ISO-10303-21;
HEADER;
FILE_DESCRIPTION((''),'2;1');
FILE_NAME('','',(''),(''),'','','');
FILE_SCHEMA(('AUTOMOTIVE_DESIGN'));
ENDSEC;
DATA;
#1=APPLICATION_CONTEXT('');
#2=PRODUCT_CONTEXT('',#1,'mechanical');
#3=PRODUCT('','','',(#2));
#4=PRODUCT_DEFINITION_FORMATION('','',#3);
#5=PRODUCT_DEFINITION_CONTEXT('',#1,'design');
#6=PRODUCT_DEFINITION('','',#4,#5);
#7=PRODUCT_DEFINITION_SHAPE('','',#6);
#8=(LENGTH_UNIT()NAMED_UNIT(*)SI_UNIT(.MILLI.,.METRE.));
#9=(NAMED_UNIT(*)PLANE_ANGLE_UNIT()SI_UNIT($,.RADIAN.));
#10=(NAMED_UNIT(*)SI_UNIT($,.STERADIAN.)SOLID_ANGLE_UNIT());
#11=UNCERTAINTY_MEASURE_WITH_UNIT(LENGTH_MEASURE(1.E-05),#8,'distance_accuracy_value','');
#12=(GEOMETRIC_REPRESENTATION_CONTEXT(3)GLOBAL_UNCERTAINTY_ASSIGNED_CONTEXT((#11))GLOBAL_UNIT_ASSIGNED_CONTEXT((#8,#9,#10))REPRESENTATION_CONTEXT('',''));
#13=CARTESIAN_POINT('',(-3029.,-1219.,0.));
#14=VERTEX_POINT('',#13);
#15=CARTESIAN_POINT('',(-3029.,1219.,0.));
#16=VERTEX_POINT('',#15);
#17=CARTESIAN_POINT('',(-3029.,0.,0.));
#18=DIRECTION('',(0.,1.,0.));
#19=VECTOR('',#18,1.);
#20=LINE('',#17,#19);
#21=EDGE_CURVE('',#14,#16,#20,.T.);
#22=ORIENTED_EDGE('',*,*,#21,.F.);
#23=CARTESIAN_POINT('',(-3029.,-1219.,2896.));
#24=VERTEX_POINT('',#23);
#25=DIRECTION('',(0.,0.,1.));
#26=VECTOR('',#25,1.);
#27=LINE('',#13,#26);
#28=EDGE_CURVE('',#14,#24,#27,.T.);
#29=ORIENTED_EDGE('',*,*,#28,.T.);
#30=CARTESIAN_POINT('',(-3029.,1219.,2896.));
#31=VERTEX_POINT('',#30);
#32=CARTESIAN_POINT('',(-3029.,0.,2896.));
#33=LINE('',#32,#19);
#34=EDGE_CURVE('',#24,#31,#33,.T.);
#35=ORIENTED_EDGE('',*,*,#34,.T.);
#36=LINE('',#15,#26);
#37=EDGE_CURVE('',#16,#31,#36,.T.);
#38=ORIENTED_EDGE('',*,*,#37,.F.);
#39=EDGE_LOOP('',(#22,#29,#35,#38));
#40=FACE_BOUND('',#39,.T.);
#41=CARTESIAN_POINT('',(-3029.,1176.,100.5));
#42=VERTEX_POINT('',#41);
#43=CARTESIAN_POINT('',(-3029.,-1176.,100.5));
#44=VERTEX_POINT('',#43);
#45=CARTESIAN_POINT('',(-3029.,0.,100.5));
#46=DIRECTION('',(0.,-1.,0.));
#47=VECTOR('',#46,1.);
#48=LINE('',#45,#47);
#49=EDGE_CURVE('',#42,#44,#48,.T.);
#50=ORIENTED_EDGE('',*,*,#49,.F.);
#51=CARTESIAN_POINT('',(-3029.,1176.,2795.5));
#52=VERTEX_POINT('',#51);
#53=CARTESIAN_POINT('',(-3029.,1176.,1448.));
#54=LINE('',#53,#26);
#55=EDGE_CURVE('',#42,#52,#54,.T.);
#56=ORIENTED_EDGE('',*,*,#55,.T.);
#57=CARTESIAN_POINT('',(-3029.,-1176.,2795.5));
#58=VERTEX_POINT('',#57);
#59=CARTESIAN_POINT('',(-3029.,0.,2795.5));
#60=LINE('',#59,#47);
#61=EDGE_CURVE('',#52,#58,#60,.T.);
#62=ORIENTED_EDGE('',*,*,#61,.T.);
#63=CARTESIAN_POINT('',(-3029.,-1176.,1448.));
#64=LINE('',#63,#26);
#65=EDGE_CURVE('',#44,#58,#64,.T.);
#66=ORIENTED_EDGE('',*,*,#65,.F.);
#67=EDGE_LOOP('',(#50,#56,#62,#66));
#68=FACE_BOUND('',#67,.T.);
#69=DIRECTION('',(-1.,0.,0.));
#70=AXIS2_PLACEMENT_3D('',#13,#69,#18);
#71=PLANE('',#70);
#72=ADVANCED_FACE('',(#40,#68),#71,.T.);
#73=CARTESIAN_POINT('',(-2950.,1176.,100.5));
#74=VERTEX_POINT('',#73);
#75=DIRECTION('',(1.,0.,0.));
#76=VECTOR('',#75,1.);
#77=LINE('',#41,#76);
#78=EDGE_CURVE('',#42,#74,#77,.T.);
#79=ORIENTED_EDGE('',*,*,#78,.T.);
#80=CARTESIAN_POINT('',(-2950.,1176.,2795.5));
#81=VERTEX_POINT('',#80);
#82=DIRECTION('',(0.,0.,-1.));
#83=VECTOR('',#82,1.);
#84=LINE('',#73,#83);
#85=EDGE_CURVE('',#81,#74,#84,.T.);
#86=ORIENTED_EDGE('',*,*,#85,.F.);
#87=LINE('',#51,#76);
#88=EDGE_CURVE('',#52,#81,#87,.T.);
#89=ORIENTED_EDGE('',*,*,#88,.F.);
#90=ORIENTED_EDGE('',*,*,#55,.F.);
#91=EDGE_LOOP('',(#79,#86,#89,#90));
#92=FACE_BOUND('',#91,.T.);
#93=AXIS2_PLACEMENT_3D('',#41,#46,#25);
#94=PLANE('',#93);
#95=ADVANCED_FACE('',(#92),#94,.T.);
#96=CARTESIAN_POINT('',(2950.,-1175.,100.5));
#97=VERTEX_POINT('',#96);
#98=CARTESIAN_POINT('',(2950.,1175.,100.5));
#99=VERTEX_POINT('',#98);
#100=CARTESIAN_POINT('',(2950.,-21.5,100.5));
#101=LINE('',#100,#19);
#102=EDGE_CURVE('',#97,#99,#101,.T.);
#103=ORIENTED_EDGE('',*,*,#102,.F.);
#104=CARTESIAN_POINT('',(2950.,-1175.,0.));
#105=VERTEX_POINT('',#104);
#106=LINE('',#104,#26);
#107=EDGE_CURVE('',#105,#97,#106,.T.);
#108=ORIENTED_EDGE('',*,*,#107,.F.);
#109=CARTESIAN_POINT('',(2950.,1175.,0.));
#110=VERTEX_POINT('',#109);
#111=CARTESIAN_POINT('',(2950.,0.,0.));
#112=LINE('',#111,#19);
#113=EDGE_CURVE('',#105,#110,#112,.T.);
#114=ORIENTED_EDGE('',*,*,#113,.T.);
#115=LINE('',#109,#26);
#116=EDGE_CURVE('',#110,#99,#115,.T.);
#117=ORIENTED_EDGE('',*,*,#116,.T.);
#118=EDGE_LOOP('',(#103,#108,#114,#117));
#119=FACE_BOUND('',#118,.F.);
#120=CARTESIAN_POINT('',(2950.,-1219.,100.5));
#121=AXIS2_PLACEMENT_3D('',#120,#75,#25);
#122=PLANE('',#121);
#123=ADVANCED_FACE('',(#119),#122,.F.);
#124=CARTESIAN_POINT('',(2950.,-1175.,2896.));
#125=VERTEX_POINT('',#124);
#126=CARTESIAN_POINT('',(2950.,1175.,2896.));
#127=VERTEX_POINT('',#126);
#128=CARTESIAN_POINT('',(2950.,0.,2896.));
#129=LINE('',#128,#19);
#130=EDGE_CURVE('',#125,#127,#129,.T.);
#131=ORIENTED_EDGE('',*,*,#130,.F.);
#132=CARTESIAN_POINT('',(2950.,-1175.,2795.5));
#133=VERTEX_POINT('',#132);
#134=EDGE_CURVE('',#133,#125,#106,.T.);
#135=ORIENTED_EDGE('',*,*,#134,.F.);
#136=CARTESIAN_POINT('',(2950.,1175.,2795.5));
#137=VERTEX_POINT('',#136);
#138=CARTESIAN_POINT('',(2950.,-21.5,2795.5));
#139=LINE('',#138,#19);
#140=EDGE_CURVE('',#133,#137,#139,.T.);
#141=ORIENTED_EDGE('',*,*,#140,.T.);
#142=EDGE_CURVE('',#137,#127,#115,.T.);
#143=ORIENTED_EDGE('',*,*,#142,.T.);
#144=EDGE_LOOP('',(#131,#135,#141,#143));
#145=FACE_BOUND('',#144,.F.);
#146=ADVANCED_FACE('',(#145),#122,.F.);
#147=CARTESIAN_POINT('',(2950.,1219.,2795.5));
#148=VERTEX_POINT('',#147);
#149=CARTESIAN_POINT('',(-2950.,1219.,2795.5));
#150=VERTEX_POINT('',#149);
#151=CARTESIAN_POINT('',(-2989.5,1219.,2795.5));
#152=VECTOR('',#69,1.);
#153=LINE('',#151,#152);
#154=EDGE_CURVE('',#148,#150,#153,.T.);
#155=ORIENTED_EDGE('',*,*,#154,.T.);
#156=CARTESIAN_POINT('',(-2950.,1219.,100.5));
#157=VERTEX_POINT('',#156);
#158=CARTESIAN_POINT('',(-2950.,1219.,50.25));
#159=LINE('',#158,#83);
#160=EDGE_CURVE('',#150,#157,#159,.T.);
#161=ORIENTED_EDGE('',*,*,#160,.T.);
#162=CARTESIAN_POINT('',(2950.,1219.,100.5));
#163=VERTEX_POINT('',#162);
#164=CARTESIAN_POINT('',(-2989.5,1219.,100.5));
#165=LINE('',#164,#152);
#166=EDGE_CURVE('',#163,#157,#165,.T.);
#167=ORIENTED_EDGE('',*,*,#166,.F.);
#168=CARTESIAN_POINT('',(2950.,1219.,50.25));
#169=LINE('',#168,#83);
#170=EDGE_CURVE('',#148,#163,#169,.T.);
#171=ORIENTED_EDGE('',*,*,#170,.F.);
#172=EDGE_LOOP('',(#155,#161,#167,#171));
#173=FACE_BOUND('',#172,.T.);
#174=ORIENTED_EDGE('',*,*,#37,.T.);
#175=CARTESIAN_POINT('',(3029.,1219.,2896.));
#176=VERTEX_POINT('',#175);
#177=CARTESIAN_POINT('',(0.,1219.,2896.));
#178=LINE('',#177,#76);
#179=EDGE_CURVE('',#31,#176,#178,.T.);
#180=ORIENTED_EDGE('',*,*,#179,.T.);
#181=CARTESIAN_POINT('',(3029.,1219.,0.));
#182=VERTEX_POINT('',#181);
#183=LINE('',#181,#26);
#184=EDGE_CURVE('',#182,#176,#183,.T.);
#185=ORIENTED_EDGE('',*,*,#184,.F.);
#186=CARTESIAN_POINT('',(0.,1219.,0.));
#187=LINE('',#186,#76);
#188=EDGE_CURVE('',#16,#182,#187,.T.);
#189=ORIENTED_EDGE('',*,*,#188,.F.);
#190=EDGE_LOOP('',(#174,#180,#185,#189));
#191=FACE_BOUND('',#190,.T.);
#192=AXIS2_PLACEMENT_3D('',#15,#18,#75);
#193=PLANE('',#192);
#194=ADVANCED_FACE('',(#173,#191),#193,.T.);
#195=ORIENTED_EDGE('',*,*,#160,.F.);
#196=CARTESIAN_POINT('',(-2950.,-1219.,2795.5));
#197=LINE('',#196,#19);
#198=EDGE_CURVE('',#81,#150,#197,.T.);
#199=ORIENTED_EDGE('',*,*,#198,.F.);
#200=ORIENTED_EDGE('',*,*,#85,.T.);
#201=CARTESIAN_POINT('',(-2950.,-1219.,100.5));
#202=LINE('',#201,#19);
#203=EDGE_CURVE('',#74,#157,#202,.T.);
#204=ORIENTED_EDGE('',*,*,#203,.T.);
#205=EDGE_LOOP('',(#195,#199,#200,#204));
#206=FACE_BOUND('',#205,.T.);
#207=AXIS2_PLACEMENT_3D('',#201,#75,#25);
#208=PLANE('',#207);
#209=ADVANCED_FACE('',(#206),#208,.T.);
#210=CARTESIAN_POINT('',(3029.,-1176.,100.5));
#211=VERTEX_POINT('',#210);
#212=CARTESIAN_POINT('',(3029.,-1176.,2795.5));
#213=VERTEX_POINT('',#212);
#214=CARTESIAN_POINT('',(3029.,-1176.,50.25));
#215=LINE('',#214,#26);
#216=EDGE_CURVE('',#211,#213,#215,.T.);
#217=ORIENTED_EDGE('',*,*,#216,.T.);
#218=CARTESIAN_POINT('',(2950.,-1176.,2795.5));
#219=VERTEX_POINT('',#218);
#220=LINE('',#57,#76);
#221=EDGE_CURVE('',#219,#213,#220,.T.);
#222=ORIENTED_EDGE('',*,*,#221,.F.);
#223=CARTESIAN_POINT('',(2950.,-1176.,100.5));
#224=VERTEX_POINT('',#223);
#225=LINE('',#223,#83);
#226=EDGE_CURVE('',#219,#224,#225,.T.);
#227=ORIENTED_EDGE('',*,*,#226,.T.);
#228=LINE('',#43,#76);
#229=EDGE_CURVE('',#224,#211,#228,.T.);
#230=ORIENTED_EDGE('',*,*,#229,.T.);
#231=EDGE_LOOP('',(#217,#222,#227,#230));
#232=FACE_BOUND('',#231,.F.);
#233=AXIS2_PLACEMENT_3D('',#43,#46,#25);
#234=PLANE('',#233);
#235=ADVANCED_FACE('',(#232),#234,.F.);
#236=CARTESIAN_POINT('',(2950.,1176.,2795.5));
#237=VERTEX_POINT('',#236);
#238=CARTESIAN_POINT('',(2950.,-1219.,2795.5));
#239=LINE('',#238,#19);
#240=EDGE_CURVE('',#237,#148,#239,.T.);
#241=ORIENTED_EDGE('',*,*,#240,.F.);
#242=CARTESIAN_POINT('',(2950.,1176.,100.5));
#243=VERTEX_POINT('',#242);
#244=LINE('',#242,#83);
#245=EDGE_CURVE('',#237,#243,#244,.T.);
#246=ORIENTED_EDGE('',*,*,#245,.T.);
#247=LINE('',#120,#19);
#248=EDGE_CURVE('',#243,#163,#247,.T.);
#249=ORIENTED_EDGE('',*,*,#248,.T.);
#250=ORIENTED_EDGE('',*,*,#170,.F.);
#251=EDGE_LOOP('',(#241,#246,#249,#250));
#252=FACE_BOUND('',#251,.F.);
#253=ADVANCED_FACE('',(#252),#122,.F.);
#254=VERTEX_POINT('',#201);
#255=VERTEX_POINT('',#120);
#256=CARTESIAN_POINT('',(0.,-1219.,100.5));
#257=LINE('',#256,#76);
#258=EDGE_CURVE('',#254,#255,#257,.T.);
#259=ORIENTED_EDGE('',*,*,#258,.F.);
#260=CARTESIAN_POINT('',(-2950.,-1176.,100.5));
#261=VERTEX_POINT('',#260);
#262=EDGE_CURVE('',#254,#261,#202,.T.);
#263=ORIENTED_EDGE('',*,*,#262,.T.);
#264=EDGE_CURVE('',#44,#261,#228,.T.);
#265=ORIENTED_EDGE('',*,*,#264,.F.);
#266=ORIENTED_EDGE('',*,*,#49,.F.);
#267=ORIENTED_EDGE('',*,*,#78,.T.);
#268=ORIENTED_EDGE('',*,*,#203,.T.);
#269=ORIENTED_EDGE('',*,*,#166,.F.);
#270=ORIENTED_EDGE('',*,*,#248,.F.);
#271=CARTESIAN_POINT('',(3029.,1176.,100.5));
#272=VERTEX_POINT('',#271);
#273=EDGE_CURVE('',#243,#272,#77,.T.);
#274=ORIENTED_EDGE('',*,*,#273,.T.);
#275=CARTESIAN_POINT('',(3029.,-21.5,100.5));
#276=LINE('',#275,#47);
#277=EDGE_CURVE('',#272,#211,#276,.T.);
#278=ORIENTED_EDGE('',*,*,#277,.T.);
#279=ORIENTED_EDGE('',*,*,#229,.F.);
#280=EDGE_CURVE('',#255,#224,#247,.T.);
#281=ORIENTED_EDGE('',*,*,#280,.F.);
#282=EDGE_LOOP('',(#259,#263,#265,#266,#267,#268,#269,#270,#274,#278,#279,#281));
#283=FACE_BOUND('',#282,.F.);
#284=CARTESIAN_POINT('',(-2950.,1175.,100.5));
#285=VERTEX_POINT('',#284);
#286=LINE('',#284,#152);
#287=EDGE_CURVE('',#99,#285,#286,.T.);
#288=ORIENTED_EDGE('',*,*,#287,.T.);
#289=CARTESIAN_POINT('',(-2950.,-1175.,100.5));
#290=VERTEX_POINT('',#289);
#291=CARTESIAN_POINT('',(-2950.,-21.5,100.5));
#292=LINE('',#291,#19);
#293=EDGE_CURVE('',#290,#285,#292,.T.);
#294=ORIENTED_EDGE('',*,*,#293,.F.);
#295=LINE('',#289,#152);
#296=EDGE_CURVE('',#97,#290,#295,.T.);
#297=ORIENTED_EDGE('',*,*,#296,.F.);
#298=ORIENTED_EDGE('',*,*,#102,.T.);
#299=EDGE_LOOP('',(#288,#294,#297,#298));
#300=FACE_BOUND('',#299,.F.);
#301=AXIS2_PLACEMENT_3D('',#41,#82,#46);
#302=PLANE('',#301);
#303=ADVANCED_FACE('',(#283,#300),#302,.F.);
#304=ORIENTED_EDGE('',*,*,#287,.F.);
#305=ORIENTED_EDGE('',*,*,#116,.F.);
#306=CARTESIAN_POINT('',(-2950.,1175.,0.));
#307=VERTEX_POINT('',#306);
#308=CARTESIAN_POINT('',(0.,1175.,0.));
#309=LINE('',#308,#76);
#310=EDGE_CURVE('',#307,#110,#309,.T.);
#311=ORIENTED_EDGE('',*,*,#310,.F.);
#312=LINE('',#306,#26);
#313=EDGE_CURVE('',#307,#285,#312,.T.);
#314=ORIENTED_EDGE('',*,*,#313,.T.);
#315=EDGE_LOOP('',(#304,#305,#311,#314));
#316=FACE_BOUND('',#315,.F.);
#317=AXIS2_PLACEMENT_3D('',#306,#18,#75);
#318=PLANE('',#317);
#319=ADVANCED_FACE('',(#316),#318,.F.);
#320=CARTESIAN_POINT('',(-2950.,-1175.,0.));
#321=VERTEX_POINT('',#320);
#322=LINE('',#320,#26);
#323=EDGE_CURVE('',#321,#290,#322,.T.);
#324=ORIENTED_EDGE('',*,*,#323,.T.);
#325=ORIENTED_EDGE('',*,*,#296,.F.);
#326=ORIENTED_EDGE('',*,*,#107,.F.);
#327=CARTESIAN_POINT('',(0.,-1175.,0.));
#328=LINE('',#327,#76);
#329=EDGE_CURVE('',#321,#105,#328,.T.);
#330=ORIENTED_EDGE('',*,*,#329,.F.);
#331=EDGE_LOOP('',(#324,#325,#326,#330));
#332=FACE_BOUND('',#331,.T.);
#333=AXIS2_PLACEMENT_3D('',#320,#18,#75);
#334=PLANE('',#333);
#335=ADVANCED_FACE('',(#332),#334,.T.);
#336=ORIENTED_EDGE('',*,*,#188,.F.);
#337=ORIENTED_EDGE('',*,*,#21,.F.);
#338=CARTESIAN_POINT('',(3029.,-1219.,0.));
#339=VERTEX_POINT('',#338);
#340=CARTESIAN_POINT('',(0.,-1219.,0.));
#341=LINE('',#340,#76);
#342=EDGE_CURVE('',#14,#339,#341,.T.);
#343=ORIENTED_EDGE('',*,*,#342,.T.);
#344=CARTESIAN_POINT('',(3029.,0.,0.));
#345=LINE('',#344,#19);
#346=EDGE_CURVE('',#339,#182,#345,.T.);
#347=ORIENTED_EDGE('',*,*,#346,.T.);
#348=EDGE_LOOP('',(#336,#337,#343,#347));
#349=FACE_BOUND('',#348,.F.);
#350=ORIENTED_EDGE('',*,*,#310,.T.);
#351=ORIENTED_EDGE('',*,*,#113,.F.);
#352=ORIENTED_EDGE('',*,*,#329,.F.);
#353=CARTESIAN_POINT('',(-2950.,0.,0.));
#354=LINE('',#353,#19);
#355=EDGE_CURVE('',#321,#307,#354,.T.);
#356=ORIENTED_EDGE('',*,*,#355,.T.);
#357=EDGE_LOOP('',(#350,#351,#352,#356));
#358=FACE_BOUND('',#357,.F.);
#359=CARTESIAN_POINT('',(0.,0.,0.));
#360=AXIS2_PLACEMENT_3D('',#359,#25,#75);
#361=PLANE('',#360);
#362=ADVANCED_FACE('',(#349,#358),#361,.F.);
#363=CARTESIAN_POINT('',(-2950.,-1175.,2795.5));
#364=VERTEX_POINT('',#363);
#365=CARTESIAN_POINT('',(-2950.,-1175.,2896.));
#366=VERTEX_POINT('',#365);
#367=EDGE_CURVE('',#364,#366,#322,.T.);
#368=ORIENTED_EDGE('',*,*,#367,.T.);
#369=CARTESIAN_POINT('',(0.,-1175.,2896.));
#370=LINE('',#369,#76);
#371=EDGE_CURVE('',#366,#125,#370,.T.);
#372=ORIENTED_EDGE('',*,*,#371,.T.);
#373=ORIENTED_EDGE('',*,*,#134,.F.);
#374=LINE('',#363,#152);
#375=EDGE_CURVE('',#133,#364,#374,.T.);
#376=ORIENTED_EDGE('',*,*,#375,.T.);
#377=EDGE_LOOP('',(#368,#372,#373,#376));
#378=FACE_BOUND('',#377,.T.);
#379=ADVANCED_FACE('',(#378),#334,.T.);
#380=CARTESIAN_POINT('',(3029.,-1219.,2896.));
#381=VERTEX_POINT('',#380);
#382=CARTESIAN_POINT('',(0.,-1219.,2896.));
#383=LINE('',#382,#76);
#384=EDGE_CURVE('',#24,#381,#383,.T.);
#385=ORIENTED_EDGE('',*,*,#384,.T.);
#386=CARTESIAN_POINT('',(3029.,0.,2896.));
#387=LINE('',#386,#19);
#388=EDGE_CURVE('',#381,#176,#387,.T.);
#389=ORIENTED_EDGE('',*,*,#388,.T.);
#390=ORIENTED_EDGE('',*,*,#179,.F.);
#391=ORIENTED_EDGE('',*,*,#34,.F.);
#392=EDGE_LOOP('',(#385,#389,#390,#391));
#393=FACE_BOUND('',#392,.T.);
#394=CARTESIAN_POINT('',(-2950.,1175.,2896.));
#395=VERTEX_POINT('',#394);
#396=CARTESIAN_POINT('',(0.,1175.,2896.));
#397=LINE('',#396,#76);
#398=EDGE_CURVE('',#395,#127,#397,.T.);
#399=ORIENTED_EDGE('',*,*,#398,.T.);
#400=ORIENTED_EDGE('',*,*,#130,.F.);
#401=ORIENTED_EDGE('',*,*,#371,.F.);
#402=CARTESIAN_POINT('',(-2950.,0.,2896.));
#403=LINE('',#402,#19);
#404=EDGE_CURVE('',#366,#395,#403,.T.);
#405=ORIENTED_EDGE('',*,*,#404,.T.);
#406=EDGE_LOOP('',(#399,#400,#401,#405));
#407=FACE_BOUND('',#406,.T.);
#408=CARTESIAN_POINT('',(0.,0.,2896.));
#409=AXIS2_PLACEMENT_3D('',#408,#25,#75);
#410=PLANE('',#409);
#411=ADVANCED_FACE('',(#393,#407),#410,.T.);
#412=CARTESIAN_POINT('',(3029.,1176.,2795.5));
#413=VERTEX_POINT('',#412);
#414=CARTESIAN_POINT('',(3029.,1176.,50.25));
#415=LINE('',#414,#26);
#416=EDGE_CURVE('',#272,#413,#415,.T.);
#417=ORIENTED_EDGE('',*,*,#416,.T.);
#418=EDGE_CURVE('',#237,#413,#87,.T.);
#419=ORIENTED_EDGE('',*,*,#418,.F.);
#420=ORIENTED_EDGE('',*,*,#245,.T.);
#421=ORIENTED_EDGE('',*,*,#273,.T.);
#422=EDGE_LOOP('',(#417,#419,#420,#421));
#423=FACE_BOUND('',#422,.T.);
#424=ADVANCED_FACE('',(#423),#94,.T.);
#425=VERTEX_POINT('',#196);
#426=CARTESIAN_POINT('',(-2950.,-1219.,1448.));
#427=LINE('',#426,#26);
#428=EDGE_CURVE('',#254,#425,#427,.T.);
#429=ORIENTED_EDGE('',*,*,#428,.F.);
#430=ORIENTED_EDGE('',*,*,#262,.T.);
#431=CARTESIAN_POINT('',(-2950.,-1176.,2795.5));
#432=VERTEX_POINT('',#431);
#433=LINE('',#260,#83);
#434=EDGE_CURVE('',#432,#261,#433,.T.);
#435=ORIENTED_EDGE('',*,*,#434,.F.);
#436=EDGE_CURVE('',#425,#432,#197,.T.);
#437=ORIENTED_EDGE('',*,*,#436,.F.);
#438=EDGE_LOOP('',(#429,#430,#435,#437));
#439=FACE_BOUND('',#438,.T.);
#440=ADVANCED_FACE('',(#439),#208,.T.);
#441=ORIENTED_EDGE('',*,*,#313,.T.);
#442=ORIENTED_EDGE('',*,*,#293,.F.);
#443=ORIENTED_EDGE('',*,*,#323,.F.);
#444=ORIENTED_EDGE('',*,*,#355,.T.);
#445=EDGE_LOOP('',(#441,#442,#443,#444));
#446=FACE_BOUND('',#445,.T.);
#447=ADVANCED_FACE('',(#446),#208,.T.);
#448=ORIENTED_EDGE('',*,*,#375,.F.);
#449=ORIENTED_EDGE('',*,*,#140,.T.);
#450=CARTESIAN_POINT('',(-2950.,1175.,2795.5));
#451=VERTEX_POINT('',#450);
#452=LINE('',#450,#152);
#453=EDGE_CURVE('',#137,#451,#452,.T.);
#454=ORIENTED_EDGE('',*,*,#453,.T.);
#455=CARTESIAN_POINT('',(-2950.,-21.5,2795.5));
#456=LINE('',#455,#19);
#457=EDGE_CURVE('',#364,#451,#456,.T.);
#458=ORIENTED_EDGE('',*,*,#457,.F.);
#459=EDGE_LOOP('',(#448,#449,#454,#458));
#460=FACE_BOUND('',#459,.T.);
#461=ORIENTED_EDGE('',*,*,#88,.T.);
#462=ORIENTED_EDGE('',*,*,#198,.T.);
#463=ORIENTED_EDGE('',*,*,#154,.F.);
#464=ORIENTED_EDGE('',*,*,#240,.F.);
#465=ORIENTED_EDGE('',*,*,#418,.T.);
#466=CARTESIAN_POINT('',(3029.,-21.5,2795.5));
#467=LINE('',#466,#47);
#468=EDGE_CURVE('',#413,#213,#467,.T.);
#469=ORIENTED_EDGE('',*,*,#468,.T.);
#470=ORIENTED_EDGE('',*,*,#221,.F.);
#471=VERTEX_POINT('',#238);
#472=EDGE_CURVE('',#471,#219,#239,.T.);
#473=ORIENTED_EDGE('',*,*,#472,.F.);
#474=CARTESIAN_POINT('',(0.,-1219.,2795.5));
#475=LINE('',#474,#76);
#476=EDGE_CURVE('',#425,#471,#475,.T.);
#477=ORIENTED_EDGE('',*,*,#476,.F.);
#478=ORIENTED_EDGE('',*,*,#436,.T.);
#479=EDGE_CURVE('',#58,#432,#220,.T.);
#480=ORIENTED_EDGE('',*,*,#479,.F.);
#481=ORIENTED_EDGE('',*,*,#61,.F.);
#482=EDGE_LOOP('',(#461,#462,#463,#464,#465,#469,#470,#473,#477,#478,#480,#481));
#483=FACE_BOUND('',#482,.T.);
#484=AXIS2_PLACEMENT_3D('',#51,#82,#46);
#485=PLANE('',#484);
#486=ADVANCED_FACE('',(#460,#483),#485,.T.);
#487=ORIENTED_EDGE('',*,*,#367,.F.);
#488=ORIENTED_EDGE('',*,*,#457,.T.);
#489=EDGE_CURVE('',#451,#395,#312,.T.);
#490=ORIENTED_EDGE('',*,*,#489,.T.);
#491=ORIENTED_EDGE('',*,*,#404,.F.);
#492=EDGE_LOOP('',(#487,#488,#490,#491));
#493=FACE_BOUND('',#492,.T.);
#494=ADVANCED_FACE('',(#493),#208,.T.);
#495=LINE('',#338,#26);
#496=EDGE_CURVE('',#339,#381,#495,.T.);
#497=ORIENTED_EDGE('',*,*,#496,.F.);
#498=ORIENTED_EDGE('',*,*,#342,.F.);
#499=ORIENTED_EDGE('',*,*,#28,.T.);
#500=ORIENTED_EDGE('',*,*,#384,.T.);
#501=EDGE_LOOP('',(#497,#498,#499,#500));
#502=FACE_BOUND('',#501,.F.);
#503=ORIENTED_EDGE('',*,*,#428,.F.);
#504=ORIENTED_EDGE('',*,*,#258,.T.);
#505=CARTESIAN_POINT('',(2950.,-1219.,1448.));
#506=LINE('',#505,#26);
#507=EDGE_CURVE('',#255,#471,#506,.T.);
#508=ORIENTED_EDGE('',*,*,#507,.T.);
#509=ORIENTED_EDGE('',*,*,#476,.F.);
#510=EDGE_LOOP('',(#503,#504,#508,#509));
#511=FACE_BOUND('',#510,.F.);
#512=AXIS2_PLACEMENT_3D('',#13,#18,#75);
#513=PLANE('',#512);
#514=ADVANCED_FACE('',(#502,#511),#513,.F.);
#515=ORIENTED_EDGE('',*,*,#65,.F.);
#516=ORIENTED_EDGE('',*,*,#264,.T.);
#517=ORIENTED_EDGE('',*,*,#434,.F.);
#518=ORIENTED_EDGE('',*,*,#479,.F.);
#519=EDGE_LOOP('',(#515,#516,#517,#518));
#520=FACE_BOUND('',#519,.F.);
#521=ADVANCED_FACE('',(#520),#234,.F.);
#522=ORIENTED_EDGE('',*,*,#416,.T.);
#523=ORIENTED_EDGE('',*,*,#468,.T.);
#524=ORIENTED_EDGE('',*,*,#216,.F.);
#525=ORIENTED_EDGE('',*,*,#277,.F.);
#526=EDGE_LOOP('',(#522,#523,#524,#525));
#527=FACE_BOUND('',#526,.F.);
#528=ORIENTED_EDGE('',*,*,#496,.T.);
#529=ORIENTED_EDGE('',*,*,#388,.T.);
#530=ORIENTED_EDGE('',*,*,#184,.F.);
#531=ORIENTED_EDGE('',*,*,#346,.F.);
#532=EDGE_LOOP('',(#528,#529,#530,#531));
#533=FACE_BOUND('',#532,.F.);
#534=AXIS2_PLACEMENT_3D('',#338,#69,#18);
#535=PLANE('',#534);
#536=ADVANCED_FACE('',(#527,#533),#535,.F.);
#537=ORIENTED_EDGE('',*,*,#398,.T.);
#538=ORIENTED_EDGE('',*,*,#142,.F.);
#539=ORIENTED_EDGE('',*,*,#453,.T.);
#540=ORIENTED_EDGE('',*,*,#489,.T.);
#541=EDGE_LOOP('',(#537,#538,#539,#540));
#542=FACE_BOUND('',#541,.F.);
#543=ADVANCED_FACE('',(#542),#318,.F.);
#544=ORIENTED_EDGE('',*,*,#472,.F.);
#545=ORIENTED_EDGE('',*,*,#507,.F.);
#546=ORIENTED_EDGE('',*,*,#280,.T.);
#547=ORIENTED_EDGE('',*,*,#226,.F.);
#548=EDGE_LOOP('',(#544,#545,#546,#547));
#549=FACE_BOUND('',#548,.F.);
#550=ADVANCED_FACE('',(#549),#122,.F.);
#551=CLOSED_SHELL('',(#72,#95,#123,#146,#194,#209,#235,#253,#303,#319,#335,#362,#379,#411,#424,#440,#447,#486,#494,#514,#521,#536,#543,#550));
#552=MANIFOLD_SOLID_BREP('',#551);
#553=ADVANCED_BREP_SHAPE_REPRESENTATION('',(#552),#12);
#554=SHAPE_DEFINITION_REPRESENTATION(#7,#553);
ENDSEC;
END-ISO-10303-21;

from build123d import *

# Parameters (mm, degrees)
F4_W     = 6058
F4_H     = 2438
F4_W_2   = 5900
F4_H_2   = 2350
F0_DEPTH = 2896
F1_W     = 5900
F1_H     = 2695
F5_DEPTH = 2438.001
F2_W     = 2352
F2_H     = 2695
F3_DEPTH = 6058.001


with BuildPart() as f0:
    # F4 (on Top) → F0 (new body)
    with BuildSketch(Plane.XY):
        Rectangle(F4_W, F4_H)
        Rectangle(F4_W_2, F4_H_2, mode=Mode.SUBTRACT)
    extrude(amount=F0_DEPTH)

    # F1 (on face) → F5 (cut, through all)
    with BuildSketch(Plane.XZ.offset(1219)):
        with Locations((0, 1448)):
            Rectangle(F1_W, F1_H)
    extrude(amount=-F5_DEPTH, mode=Mode.SUBTRACT)

    # F2 (on face) → F3 (cut, through all)
    with BuildSketch(Plane(origin=(-3029, 0, 0), x_dir=(0, -1, 0), z_dir=(-1, 0, 0))):
        with Locations((0, 1448)):
            Rectangle(F2_W, F2_H)
    extrude(amount=-F3_DEPTH, mode=Mode.SUBTRACT)


solid = f0.part
